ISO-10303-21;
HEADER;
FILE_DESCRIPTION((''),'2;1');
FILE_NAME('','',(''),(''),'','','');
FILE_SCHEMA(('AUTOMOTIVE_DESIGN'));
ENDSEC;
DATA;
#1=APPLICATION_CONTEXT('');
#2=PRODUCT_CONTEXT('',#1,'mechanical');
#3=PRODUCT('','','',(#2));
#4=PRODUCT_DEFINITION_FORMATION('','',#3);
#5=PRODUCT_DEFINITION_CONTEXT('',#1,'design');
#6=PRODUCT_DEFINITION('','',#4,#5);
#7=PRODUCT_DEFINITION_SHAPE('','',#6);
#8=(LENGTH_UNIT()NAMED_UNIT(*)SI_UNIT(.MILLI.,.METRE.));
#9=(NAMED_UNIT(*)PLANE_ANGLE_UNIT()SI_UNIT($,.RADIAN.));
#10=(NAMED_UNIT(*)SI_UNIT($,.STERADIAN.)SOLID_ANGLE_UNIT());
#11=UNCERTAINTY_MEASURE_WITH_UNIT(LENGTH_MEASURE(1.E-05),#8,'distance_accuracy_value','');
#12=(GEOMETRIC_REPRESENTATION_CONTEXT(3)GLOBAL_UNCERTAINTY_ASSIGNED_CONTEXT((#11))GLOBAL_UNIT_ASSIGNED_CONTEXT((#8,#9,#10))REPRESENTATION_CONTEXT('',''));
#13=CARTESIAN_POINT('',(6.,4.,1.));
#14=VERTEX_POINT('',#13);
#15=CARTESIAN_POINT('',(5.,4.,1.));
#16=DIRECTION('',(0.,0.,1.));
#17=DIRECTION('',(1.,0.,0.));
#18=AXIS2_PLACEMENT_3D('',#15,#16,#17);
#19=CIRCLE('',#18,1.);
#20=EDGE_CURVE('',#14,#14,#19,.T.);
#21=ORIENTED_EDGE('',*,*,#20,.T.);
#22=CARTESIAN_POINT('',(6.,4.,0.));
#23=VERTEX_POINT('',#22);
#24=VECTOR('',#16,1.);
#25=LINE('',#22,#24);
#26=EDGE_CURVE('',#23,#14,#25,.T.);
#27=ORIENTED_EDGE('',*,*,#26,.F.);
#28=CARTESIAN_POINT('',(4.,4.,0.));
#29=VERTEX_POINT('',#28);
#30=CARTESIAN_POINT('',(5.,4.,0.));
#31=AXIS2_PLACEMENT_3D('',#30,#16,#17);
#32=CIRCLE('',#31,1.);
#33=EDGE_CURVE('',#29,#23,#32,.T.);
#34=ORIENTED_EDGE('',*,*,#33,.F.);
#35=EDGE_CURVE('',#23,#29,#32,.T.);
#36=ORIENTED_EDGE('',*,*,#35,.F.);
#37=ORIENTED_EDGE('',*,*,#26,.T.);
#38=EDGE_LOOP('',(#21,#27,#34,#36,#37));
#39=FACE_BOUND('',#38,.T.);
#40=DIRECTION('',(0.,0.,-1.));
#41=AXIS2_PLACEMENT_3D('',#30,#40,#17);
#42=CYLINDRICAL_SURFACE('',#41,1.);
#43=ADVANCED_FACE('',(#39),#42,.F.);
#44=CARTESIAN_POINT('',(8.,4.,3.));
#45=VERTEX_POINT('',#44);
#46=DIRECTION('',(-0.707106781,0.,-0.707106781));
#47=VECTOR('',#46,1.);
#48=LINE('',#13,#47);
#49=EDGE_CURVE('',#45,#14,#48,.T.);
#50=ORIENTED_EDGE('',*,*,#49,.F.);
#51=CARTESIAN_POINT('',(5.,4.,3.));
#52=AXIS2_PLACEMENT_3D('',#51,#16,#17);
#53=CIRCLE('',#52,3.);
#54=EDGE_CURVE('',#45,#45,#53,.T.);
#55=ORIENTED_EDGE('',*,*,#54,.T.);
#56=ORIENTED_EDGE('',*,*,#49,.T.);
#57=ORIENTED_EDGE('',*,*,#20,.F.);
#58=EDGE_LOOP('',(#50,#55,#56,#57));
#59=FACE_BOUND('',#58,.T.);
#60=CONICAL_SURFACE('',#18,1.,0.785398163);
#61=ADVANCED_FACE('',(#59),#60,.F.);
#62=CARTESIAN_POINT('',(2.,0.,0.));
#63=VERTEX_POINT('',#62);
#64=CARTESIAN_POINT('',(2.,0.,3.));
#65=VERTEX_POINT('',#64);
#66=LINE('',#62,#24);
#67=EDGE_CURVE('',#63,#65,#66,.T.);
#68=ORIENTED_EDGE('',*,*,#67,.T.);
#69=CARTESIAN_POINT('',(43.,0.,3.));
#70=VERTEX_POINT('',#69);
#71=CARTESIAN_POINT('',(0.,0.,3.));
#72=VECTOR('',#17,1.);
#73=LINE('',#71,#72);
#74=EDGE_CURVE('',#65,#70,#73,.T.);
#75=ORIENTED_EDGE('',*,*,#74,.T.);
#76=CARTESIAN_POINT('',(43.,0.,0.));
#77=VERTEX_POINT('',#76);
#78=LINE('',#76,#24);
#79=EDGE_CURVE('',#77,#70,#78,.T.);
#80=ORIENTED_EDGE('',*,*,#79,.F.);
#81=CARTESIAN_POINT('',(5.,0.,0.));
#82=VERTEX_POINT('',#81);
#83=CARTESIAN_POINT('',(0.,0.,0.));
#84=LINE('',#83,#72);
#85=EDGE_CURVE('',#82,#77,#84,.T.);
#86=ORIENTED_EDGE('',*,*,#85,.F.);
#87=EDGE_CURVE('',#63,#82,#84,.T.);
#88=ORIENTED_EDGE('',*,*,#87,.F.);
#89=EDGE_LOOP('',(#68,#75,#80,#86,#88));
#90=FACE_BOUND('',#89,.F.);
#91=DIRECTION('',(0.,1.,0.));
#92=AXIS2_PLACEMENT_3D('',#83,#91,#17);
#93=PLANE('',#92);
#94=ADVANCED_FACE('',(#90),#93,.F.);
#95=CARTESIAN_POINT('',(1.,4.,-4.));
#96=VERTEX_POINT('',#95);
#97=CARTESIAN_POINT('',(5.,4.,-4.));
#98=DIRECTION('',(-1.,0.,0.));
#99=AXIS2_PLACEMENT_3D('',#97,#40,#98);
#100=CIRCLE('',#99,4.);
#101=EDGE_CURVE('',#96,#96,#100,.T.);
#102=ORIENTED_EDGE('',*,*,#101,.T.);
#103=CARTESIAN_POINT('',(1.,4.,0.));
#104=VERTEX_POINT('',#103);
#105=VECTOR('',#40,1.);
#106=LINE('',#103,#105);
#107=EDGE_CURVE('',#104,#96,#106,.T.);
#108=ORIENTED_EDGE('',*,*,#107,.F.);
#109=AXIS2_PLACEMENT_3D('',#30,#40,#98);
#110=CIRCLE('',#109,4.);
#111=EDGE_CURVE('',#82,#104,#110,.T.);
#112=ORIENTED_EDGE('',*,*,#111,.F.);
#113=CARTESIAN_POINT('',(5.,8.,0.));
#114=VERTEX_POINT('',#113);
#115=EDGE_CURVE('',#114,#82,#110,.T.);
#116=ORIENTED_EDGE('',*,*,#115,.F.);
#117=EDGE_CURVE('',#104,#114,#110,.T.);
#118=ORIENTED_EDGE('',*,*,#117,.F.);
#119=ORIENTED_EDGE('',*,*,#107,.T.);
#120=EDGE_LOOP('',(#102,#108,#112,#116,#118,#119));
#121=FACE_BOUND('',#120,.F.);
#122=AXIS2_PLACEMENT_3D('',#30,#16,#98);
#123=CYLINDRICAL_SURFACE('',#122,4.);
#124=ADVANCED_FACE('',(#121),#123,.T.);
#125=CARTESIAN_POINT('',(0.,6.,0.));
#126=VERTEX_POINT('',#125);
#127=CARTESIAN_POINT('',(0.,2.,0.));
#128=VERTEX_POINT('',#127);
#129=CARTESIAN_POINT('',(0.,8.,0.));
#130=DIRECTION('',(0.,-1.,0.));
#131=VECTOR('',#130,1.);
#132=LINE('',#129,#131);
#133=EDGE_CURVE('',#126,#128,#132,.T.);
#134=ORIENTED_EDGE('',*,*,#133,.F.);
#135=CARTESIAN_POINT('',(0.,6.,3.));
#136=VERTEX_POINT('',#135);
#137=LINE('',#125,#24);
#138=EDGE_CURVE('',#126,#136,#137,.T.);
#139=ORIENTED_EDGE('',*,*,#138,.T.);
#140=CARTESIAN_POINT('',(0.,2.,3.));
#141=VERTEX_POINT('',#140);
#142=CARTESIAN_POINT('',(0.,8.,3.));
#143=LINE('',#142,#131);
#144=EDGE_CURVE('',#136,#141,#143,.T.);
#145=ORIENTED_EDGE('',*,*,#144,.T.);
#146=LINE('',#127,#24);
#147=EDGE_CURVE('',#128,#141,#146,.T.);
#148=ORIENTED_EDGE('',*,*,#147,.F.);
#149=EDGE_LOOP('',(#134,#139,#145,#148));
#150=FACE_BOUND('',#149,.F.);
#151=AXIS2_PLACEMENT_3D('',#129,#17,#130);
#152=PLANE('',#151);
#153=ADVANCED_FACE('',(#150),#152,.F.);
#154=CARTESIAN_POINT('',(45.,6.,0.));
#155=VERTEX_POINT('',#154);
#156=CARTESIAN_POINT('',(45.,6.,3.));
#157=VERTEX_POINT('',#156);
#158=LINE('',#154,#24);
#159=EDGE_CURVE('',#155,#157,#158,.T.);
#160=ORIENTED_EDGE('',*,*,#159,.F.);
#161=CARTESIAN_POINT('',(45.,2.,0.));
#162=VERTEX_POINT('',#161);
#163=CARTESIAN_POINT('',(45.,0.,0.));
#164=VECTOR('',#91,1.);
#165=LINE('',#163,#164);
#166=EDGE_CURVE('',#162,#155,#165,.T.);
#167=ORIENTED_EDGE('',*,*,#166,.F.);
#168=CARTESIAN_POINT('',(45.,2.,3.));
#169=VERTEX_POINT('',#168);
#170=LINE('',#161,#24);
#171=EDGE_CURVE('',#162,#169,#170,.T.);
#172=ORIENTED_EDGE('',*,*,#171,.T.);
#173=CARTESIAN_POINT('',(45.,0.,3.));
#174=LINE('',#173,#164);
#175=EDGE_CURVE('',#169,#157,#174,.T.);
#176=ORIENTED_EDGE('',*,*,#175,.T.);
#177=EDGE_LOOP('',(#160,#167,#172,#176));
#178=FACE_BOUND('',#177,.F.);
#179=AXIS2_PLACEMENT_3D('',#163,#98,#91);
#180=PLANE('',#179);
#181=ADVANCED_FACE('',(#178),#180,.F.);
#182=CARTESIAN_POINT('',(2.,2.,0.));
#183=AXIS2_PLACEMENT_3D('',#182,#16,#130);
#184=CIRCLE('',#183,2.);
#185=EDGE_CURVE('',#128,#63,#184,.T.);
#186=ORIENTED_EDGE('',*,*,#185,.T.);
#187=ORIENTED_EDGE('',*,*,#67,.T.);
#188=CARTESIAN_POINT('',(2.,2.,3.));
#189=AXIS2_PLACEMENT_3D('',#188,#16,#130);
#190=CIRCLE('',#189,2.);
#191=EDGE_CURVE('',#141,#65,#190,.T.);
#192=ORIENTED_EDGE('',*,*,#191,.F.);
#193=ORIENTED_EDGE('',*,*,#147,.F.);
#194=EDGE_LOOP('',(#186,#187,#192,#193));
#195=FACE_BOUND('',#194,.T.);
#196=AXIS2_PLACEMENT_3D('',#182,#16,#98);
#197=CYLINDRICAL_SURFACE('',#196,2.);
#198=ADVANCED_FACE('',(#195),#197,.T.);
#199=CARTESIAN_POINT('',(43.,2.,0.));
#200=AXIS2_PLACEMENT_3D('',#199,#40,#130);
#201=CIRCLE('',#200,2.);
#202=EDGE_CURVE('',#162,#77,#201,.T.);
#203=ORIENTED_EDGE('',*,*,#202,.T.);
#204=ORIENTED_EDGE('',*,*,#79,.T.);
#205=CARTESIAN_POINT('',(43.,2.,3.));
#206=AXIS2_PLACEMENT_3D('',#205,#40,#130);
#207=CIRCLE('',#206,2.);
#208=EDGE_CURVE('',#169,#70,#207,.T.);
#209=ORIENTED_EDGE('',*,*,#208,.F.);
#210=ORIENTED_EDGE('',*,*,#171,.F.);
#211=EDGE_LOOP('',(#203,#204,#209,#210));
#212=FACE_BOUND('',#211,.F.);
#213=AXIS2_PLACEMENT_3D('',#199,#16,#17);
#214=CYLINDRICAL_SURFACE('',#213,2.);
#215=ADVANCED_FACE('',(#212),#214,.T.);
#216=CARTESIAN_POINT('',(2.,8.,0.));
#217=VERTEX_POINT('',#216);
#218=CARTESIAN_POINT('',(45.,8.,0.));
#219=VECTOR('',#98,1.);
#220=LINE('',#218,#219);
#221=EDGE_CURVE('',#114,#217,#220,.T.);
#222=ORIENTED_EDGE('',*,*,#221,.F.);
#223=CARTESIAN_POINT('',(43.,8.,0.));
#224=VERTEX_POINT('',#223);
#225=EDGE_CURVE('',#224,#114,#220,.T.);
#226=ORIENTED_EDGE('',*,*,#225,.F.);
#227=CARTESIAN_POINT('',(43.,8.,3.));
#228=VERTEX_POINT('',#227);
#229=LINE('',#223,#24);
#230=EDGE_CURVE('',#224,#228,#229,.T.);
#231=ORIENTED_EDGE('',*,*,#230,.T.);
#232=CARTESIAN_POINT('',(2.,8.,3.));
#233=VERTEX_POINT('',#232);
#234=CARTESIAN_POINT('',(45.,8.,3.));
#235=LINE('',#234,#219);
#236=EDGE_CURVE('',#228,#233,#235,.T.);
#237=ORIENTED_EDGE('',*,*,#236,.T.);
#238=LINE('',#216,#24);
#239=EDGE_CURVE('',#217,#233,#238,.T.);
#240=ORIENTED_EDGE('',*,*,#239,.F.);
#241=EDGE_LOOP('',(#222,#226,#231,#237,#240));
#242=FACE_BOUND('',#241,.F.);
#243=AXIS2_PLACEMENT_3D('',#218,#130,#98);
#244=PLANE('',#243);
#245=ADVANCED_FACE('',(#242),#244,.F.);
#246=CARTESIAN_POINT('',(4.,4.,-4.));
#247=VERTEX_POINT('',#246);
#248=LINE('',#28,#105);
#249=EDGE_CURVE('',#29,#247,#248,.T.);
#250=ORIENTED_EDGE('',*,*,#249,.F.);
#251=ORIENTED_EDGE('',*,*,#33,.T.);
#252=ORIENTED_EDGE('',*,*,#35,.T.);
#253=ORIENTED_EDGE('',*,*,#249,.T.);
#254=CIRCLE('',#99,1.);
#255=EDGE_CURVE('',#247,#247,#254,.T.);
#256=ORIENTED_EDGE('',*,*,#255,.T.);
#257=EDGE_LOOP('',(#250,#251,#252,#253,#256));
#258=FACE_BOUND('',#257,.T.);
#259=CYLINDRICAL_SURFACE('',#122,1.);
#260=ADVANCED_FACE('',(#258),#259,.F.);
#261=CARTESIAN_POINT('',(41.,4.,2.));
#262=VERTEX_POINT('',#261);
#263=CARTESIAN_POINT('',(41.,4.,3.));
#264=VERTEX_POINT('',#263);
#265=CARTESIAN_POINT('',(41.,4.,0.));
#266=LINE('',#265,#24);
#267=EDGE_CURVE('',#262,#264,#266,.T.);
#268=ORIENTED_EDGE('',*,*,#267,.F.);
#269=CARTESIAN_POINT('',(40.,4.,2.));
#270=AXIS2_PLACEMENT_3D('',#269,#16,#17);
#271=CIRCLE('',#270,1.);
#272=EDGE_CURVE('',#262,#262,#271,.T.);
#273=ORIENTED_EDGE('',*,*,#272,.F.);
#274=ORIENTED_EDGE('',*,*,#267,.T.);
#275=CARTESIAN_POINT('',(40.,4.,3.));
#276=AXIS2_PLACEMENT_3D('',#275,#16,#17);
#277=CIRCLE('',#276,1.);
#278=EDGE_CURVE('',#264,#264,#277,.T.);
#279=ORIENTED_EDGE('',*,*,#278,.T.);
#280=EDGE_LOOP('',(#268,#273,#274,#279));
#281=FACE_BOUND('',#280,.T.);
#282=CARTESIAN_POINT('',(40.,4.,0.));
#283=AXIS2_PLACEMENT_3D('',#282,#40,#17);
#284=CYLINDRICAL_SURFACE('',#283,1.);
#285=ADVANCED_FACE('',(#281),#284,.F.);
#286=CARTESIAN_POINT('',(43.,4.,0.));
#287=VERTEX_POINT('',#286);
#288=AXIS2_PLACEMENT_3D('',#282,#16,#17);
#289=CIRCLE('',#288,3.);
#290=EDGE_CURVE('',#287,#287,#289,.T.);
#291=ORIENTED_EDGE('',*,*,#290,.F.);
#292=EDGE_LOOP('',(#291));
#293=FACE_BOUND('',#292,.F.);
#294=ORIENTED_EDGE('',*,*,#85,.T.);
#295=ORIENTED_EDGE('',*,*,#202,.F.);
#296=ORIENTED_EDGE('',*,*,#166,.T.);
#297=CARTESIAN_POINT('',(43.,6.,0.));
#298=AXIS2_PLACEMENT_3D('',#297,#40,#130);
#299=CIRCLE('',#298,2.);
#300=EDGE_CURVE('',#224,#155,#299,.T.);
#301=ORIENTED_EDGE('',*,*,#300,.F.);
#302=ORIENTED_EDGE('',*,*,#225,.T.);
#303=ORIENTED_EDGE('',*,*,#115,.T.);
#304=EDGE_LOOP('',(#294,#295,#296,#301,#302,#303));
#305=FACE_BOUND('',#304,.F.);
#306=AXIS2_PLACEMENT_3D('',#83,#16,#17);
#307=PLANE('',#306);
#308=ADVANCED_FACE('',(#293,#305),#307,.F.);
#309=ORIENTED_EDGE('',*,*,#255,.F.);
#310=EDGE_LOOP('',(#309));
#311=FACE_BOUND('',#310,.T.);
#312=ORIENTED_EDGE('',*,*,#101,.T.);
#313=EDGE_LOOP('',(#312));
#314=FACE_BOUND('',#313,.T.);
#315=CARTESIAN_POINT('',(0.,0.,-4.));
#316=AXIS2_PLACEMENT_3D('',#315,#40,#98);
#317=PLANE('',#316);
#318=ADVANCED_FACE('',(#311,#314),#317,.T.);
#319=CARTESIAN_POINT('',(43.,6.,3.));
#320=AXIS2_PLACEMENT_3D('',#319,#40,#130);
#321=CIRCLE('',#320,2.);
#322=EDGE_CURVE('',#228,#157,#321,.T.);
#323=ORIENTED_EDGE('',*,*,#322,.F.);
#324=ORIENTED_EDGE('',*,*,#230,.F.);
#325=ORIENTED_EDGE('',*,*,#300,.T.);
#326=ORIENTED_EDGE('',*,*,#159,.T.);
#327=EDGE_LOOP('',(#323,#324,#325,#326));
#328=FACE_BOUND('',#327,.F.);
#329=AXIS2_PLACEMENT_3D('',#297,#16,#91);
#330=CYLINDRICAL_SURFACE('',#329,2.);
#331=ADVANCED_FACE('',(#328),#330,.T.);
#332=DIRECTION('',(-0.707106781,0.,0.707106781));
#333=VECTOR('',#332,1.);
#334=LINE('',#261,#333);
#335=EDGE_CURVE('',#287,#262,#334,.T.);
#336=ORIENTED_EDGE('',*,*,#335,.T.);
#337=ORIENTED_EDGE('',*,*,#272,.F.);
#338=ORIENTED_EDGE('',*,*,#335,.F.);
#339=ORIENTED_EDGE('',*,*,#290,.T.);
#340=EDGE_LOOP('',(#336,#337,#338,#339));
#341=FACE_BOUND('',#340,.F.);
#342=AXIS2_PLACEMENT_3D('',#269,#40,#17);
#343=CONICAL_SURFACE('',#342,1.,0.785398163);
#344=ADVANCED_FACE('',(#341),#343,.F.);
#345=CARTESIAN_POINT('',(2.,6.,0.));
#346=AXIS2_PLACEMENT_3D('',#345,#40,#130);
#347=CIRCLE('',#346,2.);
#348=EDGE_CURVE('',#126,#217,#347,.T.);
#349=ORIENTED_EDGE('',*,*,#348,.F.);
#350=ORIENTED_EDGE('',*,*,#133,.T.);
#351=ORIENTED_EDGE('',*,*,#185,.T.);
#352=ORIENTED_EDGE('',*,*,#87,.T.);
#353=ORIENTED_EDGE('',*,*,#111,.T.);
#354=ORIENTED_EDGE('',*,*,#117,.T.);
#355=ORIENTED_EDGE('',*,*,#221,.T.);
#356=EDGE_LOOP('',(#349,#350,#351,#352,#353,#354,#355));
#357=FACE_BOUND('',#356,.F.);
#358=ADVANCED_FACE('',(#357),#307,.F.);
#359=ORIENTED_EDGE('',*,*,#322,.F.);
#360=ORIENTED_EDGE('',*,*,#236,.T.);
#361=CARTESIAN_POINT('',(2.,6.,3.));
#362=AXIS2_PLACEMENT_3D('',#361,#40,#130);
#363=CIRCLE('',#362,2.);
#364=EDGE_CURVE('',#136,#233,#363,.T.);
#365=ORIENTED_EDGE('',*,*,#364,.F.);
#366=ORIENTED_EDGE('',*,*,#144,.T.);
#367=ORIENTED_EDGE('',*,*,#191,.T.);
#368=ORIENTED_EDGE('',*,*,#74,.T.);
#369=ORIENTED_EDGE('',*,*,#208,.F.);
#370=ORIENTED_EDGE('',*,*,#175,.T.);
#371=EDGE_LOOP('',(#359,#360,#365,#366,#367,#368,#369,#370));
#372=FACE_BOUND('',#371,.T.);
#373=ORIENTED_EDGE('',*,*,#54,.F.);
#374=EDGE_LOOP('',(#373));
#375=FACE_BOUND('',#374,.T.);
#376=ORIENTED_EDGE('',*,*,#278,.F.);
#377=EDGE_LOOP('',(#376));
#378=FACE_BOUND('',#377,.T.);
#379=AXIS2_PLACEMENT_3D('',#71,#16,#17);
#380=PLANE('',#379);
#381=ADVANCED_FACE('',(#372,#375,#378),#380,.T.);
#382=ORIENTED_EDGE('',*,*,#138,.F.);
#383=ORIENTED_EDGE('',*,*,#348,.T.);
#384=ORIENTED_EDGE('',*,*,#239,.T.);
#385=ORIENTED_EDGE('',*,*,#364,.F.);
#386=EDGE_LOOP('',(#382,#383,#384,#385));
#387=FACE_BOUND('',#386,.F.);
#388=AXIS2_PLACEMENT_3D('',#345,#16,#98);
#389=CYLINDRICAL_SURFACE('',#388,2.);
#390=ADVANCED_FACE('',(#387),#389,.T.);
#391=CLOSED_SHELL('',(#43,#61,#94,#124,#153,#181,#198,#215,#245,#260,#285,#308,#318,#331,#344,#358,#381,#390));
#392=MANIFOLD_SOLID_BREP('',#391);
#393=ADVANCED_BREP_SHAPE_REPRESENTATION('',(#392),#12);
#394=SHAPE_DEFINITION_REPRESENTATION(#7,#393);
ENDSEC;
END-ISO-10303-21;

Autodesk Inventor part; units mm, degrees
ref_plane "YZ Plane" through (0, 0, 0) normal (1, 0, 0) x (0, 1, 0)
ref_plane "XZ Plane" through (0, 0, 0) normal (0, 1, 0) x (-1, 0, 0)
ref_plane "XY Plane" through (0, 0, 0) normal (0, 0, 1) x (1, 0, 0)
sketch "Sketch1" plane through (0, 0, 0) normal (0, 0, 1) x (1, 0, 0)
  line L0 (0, 0) -> (45, 0)
  line L1 (45, 0) -> (45, 8)
  line L2 (45, 8) -> (0, 8)
  line L3 (0, 8) -> (0, 0)
  circle A0 centre (5, 4) radius 1
  circle A1 centre (40, 4) radius 1
  point P0 (0, 4)
  dimension "d0" = 45
  dimension "d1" = 8
  dimension "d2" = 2
  dimension "d3" = 2
  dimension "d4" = 5
  dimension "d5" = 5
extrude "Extrusion1" add sketch "Sketch1" along normal blind 3
fillet "Fillet1" radius 2 4 edges at (0, 8, 1.5) (45, 8, 1.5) (45, 0, 1.5) (0, 0, 1.5)
chamfer "Chamfer1" distance 2 angle 45 2 edges at (4, 4, 3) (39, 4, 0)
sketch "Sketch2" plane through (0, 0, 0) normal (0, 0, -1) x (-1, 0, 0)
  circle A0 centre (-5, 4) radius 1 projected
  circle A1 centre (-5, 4) radius 4
  point P0 (0, 0)
  dimension "d12" = 8
extrude "Extrusion2" add sketch "Sketch2" along normal blind 4
equation "\"d5\" = d4"
properties part number "arm"
